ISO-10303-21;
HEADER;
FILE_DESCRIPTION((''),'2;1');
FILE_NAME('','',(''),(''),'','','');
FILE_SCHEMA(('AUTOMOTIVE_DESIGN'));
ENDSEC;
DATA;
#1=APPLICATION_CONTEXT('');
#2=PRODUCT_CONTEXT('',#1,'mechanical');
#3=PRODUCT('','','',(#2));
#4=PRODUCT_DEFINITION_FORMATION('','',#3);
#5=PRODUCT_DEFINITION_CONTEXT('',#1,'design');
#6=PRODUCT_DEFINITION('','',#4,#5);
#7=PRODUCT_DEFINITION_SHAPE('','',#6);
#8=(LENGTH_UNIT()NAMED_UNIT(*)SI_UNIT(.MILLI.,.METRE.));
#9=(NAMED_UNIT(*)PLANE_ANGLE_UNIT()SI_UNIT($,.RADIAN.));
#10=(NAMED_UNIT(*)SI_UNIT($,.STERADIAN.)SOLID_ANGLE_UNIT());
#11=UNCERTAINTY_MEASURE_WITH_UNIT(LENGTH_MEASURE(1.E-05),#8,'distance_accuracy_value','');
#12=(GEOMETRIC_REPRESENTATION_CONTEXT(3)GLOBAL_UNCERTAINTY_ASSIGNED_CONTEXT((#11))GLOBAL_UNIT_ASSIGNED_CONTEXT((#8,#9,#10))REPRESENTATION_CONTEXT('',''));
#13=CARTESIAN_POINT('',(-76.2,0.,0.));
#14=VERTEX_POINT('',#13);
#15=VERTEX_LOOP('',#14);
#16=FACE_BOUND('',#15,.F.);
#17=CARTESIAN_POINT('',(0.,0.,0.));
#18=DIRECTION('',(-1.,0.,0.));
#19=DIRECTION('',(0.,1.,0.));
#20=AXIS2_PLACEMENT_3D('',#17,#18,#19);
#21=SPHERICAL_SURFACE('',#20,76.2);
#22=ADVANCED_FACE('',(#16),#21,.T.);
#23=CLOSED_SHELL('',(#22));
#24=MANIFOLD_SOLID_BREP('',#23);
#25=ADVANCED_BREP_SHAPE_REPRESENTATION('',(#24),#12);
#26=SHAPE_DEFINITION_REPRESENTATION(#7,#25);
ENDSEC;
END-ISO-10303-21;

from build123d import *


with BuildPart() as part:
    # Sketch1 → Revolve4 (revolve)
    with BuildSketch(Plane.XY):
        with BuildLine():
            Line((-76.2, 0), (76.2, 0))
            ThreePointArc((76.2, 0), (0, 76.2), (-76.2, 0))
        make_face()
    revolve(axis=Axis((-76.2, 0, 0), (1, 0, 0)))


solid = part.part
